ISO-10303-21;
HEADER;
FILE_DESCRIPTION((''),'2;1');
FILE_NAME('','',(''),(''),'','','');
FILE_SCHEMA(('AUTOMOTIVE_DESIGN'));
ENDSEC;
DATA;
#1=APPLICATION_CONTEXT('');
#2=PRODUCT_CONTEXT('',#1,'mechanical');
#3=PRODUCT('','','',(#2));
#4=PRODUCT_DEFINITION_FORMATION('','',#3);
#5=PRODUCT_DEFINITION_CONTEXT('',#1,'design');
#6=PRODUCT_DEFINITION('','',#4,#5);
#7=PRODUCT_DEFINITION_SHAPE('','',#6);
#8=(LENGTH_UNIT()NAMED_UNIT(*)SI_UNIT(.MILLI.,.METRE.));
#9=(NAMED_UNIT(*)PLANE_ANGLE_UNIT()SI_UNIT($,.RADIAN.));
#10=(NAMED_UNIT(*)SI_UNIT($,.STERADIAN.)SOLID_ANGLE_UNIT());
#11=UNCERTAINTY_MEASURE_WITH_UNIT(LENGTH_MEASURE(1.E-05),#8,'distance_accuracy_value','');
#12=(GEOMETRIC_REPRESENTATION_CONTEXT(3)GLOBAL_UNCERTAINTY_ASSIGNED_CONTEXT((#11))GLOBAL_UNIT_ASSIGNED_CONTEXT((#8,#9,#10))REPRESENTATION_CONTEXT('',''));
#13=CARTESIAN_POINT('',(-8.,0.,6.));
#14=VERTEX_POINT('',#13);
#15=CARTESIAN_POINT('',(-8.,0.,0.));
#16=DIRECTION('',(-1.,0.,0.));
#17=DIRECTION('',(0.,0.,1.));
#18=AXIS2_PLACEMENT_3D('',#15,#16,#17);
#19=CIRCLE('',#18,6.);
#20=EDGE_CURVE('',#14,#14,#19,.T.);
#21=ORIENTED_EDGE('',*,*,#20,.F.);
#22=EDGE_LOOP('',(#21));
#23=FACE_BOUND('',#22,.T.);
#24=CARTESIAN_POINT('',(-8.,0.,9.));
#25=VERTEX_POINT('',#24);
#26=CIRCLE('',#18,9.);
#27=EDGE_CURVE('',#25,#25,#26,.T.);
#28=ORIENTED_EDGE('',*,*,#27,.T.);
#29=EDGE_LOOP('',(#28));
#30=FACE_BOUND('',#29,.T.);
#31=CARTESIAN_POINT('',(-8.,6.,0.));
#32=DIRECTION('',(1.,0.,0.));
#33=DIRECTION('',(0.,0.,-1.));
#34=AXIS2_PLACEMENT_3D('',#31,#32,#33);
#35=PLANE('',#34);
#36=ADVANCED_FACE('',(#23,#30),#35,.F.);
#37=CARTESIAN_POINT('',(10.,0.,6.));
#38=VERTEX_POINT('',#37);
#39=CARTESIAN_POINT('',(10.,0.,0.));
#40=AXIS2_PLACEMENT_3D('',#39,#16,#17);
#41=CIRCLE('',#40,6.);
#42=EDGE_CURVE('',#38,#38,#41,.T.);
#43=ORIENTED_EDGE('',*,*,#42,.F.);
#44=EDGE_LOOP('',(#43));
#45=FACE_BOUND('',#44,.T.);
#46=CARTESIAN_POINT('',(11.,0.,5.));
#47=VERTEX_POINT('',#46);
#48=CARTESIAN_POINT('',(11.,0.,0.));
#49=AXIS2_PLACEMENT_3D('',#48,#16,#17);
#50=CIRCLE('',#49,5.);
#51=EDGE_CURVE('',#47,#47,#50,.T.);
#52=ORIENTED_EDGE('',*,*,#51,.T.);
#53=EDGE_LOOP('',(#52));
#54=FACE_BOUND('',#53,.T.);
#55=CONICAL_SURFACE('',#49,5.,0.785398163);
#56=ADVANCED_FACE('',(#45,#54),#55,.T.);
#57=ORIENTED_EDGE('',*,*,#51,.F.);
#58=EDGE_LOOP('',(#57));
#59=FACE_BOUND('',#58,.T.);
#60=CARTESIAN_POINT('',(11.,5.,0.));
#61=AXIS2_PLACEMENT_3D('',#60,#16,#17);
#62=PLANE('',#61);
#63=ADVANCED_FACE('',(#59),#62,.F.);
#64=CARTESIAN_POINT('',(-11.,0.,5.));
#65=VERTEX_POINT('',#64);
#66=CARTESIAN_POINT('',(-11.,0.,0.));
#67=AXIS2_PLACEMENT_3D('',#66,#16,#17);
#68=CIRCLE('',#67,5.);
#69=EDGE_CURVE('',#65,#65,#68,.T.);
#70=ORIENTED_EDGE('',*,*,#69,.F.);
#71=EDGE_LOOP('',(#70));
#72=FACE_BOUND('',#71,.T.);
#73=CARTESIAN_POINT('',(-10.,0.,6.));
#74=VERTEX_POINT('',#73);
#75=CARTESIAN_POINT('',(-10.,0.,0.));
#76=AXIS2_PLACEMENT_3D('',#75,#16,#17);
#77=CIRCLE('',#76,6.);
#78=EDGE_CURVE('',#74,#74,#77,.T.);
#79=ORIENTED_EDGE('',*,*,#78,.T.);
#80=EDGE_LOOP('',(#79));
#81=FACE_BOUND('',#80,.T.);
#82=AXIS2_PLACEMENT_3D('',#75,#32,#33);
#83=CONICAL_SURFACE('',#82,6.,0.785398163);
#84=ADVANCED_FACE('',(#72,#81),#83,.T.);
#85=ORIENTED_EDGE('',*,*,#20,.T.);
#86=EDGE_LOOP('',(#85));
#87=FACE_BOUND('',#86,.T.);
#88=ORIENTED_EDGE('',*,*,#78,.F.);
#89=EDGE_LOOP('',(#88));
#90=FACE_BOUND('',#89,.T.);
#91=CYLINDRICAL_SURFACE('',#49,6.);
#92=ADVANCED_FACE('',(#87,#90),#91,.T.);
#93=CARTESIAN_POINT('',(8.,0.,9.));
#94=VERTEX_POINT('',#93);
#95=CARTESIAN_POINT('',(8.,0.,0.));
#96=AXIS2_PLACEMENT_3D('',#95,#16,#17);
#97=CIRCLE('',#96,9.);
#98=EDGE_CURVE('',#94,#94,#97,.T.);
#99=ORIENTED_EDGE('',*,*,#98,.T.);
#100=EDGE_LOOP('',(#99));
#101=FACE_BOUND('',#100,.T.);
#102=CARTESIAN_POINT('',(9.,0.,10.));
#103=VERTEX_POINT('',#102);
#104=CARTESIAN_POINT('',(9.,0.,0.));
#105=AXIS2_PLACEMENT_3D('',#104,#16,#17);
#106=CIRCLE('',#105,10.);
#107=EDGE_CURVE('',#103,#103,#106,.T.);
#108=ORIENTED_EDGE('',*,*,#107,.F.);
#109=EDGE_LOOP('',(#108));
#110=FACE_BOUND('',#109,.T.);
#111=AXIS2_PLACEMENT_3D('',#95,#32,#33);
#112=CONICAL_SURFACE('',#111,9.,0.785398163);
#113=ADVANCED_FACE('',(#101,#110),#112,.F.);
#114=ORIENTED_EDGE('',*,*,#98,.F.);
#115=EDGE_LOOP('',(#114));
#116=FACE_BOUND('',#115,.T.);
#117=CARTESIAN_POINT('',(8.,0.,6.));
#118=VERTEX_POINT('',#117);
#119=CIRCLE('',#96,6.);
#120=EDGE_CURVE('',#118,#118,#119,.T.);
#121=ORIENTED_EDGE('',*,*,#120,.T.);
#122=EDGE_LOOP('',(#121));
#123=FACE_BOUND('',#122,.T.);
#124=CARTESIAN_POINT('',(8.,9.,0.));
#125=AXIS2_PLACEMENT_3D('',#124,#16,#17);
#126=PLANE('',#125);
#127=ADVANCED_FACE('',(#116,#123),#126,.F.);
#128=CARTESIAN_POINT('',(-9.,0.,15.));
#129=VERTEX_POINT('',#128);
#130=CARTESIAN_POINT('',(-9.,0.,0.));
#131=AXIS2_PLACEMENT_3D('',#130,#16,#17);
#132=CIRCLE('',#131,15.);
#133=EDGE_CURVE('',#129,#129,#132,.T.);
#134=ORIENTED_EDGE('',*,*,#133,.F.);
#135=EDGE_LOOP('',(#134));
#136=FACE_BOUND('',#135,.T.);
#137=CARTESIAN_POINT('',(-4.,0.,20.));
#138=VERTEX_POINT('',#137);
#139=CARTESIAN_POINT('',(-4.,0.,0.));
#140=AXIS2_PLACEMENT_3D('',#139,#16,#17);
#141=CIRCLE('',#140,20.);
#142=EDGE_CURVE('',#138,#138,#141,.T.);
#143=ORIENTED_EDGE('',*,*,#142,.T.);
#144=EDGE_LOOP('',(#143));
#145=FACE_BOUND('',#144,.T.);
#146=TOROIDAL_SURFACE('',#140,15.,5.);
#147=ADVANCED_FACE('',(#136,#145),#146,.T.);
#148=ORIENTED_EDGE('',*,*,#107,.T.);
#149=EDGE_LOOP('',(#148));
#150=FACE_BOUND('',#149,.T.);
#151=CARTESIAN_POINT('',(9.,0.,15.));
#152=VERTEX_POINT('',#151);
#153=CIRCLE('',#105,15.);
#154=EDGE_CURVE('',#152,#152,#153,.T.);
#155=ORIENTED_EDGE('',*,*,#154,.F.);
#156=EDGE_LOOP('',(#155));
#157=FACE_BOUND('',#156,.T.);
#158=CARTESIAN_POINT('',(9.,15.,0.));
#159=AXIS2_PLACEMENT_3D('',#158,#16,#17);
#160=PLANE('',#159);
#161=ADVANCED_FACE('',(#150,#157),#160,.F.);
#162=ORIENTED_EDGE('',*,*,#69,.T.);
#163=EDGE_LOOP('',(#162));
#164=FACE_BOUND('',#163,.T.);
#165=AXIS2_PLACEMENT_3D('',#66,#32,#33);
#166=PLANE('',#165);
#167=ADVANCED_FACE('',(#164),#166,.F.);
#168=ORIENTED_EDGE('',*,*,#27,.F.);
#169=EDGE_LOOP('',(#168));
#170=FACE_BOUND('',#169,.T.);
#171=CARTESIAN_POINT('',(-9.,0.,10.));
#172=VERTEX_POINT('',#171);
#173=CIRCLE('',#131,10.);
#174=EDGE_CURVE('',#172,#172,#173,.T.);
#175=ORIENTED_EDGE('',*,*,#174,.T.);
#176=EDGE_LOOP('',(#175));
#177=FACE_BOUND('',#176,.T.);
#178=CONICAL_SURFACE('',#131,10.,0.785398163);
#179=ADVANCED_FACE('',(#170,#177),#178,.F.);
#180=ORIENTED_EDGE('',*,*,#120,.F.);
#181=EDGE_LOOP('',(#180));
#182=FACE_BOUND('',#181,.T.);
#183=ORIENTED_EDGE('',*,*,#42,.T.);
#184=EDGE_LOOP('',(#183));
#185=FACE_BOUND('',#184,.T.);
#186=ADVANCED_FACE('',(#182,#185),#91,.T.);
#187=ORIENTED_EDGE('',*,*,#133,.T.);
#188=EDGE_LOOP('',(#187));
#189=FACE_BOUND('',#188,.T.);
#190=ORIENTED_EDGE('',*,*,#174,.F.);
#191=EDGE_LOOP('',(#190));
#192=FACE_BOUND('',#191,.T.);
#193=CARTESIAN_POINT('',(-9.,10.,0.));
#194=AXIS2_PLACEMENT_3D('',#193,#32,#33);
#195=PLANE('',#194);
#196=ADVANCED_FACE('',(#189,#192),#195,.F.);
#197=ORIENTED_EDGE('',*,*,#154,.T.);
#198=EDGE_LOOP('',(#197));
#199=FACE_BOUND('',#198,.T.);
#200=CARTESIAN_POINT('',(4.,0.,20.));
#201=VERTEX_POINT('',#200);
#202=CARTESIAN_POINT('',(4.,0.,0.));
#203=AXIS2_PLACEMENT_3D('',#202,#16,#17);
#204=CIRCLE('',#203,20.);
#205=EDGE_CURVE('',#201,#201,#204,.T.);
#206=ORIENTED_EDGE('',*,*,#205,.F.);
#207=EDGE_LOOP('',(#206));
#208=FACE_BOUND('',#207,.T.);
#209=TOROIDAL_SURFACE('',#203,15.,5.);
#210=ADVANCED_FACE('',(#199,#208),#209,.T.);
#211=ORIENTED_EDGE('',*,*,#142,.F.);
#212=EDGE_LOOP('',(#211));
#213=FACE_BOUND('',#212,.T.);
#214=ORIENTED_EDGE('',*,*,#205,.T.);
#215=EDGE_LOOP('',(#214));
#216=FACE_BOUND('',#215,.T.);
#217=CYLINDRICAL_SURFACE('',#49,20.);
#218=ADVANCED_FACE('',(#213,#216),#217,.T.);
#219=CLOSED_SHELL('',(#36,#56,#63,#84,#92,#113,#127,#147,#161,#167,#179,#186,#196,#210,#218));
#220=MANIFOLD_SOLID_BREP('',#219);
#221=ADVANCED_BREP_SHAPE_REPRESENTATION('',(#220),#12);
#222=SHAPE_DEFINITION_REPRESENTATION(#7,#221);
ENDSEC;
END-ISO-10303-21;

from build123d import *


with BuildPart() as part:
    # 草图1 → 旋转1 (revolve)
    with BuildSketch(Plane.XY):
        with BuildLine():
            Line((-11, 0), (-11, 5))
            Line((-11, 5), (-10, 6))
            Line((-10, 6), (-8, 6))
            Line((-8, 6), (-8, 9))
            Line((-8, 9), (-9, 10))
            Line((-9, 10), (-9, 15))
            ThreePointArc((-9, 15), (-7.535533906, 18.535533906), (-4, 20))
            Line((-4, 20), (4, 20))
            ThreePointArc((4, 20), (7.535533906, 18.535533906), (9, 15))
            Line((9, 15), (9, 10))
            Line((9, 10), (8, 9))
            Line((8, 9), (8, 6))
            Line((8, 6), (10, 6))
            Line((10, 6), (11, 5))
            Line((11, 5), (11, 0))
            Line((11, 0), (-11, 0))
        make_face()
    revolve(axis=Axis((11, 0, 0), (-1, 0, 0)))


solid = part.part
